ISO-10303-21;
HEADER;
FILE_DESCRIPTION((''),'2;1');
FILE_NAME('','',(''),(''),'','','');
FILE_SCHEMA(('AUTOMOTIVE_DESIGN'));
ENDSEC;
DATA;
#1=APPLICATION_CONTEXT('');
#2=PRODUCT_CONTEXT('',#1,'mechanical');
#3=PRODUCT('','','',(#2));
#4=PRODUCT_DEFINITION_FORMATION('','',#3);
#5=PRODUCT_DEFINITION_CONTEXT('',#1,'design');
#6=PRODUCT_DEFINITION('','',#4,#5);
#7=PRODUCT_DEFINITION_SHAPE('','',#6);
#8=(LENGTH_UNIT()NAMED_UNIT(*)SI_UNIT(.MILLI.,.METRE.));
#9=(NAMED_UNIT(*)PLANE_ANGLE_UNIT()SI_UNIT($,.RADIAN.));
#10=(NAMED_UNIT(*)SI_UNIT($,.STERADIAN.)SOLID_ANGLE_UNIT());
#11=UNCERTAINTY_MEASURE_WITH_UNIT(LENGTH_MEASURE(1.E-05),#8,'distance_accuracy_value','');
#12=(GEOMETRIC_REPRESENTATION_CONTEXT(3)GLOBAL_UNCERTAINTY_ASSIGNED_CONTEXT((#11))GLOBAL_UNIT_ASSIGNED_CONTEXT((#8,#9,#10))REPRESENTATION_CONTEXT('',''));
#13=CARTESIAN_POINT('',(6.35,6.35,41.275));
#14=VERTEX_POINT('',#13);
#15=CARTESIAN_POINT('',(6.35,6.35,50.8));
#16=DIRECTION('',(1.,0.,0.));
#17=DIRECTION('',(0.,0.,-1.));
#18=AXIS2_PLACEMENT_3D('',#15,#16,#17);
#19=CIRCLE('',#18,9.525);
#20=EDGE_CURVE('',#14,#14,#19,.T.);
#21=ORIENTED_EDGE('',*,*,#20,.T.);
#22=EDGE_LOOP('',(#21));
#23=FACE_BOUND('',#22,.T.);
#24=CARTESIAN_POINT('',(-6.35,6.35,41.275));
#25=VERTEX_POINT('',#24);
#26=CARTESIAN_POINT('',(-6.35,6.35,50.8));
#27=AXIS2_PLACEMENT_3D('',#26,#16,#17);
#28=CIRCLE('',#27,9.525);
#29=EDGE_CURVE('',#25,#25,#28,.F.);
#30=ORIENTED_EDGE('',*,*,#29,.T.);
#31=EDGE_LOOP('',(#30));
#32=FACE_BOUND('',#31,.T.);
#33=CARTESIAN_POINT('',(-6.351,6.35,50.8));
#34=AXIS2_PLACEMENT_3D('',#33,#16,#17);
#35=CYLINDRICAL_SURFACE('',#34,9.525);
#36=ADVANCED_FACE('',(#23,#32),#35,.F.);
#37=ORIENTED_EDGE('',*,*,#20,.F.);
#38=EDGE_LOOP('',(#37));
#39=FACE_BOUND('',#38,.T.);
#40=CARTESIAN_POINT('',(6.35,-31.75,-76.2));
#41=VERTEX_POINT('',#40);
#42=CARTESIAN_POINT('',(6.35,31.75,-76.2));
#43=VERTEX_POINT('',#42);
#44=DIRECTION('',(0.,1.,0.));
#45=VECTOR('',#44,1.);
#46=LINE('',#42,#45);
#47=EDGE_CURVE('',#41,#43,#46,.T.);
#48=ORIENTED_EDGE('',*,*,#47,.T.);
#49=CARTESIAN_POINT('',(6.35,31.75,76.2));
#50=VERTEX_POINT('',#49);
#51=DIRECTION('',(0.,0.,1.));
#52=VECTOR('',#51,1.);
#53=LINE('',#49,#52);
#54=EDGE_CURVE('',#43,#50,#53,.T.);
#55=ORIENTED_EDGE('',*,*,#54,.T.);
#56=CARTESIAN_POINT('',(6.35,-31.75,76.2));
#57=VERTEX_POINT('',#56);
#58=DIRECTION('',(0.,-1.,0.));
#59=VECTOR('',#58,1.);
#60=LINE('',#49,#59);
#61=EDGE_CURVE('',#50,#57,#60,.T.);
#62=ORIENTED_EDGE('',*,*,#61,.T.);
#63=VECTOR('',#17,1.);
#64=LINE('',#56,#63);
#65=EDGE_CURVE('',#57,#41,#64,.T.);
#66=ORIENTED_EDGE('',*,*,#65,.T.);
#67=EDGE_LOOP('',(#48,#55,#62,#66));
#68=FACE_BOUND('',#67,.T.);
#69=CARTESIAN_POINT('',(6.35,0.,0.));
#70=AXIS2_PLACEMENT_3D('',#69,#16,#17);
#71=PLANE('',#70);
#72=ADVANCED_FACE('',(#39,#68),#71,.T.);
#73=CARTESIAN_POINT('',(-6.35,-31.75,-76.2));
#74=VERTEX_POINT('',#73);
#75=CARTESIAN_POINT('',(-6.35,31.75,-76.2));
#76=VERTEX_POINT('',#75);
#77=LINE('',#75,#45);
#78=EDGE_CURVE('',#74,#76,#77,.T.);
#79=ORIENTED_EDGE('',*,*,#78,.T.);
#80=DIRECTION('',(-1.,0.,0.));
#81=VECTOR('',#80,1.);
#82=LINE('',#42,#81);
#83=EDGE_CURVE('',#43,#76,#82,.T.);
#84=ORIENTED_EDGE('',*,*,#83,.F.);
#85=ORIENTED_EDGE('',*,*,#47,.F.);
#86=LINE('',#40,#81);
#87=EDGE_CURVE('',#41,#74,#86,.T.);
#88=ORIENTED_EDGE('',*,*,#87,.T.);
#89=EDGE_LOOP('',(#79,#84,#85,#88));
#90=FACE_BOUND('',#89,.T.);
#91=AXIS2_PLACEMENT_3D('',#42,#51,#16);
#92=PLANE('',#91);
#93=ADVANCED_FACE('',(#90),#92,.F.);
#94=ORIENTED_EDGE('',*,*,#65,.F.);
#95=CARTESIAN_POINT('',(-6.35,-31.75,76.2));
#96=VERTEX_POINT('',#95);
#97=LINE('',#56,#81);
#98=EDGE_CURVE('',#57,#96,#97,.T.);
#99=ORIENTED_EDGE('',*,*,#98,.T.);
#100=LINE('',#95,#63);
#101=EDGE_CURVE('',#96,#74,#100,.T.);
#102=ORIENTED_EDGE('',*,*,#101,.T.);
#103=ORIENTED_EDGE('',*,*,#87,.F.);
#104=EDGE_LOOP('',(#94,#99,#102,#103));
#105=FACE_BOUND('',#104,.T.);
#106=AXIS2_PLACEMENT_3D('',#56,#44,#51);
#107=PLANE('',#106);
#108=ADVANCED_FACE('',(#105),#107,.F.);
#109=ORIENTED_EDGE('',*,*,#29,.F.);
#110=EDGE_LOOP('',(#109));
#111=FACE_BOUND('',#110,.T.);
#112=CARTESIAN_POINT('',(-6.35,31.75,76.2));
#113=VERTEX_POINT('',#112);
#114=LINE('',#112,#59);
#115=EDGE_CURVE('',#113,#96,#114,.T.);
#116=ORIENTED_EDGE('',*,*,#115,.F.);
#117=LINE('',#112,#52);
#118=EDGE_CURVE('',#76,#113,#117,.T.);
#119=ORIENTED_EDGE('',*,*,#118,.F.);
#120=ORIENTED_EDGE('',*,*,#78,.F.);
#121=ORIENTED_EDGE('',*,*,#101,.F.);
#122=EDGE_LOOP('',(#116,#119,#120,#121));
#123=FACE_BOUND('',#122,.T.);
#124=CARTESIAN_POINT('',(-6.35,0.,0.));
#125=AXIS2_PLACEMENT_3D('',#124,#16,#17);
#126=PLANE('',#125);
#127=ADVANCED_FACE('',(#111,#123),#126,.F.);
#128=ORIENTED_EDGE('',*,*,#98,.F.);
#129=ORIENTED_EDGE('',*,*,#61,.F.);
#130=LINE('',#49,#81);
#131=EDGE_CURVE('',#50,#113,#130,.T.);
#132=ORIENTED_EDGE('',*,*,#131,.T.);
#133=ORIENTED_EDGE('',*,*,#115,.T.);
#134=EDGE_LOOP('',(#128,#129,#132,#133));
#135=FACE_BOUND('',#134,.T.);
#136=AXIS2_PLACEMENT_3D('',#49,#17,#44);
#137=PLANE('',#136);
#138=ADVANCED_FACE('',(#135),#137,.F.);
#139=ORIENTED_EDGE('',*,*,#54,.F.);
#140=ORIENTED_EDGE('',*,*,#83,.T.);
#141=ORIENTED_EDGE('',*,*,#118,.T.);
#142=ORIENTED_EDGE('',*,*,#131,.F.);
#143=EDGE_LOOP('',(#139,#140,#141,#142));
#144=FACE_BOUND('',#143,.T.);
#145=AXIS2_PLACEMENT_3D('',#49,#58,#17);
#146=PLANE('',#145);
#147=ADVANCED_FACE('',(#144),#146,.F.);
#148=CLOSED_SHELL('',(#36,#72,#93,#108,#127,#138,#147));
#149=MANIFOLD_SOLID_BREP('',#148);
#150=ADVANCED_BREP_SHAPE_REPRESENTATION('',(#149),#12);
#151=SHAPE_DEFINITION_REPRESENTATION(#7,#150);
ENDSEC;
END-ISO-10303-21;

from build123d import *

# Parameters (mm, degrees)
SKETCH1_W           = 152.4
SKETCH1_H           = 63.5
BOSS_EXTRUDE1_DEPTH = 6.35
CUT_EXTRUDE1_REACH  = 14.7
SKETCH2_R           = 9.525


with BuildPart() as part:
    # Sketch1 → Boss-Extrude1 (new body, symmetric)
    with BuildSketch(Plane(origin=(0, 0, 0), x_dir=(0, 0, -1), z_dir=(1, 0, 0))):
        Rectangle(SKETCH1_W, SKETCH1_H)
    extrude(amount=BOSS_EXTRUDE1_DEPTH, both=True)

    # Sketch2 → Cut-Extrude1 (cut, up to next)
    with BuildSketch(Plane(origin=(6.35, 0, 0), x_dir=(0, 0, -1), z_dir=(1, 0, 0)), mode=Mode.PRIVATE) as cut_extrude1_sk1:
        with Locations((-50.8, 6.35)):
            Circle(SKETCH2_R)
    cut_extrude1_tool1 = extrude(cut_extrude1_sk1.sketch, amount=-CUT_EXTRUDE1_REACH, mode=Mode.PRIVATE) & part.part
    add(cut_extrude1_tool1.solids().sort_by_distance((6.35, 6.35, 50.8))[0], mode=Mode.SUBTRACT)


solid = part.part
